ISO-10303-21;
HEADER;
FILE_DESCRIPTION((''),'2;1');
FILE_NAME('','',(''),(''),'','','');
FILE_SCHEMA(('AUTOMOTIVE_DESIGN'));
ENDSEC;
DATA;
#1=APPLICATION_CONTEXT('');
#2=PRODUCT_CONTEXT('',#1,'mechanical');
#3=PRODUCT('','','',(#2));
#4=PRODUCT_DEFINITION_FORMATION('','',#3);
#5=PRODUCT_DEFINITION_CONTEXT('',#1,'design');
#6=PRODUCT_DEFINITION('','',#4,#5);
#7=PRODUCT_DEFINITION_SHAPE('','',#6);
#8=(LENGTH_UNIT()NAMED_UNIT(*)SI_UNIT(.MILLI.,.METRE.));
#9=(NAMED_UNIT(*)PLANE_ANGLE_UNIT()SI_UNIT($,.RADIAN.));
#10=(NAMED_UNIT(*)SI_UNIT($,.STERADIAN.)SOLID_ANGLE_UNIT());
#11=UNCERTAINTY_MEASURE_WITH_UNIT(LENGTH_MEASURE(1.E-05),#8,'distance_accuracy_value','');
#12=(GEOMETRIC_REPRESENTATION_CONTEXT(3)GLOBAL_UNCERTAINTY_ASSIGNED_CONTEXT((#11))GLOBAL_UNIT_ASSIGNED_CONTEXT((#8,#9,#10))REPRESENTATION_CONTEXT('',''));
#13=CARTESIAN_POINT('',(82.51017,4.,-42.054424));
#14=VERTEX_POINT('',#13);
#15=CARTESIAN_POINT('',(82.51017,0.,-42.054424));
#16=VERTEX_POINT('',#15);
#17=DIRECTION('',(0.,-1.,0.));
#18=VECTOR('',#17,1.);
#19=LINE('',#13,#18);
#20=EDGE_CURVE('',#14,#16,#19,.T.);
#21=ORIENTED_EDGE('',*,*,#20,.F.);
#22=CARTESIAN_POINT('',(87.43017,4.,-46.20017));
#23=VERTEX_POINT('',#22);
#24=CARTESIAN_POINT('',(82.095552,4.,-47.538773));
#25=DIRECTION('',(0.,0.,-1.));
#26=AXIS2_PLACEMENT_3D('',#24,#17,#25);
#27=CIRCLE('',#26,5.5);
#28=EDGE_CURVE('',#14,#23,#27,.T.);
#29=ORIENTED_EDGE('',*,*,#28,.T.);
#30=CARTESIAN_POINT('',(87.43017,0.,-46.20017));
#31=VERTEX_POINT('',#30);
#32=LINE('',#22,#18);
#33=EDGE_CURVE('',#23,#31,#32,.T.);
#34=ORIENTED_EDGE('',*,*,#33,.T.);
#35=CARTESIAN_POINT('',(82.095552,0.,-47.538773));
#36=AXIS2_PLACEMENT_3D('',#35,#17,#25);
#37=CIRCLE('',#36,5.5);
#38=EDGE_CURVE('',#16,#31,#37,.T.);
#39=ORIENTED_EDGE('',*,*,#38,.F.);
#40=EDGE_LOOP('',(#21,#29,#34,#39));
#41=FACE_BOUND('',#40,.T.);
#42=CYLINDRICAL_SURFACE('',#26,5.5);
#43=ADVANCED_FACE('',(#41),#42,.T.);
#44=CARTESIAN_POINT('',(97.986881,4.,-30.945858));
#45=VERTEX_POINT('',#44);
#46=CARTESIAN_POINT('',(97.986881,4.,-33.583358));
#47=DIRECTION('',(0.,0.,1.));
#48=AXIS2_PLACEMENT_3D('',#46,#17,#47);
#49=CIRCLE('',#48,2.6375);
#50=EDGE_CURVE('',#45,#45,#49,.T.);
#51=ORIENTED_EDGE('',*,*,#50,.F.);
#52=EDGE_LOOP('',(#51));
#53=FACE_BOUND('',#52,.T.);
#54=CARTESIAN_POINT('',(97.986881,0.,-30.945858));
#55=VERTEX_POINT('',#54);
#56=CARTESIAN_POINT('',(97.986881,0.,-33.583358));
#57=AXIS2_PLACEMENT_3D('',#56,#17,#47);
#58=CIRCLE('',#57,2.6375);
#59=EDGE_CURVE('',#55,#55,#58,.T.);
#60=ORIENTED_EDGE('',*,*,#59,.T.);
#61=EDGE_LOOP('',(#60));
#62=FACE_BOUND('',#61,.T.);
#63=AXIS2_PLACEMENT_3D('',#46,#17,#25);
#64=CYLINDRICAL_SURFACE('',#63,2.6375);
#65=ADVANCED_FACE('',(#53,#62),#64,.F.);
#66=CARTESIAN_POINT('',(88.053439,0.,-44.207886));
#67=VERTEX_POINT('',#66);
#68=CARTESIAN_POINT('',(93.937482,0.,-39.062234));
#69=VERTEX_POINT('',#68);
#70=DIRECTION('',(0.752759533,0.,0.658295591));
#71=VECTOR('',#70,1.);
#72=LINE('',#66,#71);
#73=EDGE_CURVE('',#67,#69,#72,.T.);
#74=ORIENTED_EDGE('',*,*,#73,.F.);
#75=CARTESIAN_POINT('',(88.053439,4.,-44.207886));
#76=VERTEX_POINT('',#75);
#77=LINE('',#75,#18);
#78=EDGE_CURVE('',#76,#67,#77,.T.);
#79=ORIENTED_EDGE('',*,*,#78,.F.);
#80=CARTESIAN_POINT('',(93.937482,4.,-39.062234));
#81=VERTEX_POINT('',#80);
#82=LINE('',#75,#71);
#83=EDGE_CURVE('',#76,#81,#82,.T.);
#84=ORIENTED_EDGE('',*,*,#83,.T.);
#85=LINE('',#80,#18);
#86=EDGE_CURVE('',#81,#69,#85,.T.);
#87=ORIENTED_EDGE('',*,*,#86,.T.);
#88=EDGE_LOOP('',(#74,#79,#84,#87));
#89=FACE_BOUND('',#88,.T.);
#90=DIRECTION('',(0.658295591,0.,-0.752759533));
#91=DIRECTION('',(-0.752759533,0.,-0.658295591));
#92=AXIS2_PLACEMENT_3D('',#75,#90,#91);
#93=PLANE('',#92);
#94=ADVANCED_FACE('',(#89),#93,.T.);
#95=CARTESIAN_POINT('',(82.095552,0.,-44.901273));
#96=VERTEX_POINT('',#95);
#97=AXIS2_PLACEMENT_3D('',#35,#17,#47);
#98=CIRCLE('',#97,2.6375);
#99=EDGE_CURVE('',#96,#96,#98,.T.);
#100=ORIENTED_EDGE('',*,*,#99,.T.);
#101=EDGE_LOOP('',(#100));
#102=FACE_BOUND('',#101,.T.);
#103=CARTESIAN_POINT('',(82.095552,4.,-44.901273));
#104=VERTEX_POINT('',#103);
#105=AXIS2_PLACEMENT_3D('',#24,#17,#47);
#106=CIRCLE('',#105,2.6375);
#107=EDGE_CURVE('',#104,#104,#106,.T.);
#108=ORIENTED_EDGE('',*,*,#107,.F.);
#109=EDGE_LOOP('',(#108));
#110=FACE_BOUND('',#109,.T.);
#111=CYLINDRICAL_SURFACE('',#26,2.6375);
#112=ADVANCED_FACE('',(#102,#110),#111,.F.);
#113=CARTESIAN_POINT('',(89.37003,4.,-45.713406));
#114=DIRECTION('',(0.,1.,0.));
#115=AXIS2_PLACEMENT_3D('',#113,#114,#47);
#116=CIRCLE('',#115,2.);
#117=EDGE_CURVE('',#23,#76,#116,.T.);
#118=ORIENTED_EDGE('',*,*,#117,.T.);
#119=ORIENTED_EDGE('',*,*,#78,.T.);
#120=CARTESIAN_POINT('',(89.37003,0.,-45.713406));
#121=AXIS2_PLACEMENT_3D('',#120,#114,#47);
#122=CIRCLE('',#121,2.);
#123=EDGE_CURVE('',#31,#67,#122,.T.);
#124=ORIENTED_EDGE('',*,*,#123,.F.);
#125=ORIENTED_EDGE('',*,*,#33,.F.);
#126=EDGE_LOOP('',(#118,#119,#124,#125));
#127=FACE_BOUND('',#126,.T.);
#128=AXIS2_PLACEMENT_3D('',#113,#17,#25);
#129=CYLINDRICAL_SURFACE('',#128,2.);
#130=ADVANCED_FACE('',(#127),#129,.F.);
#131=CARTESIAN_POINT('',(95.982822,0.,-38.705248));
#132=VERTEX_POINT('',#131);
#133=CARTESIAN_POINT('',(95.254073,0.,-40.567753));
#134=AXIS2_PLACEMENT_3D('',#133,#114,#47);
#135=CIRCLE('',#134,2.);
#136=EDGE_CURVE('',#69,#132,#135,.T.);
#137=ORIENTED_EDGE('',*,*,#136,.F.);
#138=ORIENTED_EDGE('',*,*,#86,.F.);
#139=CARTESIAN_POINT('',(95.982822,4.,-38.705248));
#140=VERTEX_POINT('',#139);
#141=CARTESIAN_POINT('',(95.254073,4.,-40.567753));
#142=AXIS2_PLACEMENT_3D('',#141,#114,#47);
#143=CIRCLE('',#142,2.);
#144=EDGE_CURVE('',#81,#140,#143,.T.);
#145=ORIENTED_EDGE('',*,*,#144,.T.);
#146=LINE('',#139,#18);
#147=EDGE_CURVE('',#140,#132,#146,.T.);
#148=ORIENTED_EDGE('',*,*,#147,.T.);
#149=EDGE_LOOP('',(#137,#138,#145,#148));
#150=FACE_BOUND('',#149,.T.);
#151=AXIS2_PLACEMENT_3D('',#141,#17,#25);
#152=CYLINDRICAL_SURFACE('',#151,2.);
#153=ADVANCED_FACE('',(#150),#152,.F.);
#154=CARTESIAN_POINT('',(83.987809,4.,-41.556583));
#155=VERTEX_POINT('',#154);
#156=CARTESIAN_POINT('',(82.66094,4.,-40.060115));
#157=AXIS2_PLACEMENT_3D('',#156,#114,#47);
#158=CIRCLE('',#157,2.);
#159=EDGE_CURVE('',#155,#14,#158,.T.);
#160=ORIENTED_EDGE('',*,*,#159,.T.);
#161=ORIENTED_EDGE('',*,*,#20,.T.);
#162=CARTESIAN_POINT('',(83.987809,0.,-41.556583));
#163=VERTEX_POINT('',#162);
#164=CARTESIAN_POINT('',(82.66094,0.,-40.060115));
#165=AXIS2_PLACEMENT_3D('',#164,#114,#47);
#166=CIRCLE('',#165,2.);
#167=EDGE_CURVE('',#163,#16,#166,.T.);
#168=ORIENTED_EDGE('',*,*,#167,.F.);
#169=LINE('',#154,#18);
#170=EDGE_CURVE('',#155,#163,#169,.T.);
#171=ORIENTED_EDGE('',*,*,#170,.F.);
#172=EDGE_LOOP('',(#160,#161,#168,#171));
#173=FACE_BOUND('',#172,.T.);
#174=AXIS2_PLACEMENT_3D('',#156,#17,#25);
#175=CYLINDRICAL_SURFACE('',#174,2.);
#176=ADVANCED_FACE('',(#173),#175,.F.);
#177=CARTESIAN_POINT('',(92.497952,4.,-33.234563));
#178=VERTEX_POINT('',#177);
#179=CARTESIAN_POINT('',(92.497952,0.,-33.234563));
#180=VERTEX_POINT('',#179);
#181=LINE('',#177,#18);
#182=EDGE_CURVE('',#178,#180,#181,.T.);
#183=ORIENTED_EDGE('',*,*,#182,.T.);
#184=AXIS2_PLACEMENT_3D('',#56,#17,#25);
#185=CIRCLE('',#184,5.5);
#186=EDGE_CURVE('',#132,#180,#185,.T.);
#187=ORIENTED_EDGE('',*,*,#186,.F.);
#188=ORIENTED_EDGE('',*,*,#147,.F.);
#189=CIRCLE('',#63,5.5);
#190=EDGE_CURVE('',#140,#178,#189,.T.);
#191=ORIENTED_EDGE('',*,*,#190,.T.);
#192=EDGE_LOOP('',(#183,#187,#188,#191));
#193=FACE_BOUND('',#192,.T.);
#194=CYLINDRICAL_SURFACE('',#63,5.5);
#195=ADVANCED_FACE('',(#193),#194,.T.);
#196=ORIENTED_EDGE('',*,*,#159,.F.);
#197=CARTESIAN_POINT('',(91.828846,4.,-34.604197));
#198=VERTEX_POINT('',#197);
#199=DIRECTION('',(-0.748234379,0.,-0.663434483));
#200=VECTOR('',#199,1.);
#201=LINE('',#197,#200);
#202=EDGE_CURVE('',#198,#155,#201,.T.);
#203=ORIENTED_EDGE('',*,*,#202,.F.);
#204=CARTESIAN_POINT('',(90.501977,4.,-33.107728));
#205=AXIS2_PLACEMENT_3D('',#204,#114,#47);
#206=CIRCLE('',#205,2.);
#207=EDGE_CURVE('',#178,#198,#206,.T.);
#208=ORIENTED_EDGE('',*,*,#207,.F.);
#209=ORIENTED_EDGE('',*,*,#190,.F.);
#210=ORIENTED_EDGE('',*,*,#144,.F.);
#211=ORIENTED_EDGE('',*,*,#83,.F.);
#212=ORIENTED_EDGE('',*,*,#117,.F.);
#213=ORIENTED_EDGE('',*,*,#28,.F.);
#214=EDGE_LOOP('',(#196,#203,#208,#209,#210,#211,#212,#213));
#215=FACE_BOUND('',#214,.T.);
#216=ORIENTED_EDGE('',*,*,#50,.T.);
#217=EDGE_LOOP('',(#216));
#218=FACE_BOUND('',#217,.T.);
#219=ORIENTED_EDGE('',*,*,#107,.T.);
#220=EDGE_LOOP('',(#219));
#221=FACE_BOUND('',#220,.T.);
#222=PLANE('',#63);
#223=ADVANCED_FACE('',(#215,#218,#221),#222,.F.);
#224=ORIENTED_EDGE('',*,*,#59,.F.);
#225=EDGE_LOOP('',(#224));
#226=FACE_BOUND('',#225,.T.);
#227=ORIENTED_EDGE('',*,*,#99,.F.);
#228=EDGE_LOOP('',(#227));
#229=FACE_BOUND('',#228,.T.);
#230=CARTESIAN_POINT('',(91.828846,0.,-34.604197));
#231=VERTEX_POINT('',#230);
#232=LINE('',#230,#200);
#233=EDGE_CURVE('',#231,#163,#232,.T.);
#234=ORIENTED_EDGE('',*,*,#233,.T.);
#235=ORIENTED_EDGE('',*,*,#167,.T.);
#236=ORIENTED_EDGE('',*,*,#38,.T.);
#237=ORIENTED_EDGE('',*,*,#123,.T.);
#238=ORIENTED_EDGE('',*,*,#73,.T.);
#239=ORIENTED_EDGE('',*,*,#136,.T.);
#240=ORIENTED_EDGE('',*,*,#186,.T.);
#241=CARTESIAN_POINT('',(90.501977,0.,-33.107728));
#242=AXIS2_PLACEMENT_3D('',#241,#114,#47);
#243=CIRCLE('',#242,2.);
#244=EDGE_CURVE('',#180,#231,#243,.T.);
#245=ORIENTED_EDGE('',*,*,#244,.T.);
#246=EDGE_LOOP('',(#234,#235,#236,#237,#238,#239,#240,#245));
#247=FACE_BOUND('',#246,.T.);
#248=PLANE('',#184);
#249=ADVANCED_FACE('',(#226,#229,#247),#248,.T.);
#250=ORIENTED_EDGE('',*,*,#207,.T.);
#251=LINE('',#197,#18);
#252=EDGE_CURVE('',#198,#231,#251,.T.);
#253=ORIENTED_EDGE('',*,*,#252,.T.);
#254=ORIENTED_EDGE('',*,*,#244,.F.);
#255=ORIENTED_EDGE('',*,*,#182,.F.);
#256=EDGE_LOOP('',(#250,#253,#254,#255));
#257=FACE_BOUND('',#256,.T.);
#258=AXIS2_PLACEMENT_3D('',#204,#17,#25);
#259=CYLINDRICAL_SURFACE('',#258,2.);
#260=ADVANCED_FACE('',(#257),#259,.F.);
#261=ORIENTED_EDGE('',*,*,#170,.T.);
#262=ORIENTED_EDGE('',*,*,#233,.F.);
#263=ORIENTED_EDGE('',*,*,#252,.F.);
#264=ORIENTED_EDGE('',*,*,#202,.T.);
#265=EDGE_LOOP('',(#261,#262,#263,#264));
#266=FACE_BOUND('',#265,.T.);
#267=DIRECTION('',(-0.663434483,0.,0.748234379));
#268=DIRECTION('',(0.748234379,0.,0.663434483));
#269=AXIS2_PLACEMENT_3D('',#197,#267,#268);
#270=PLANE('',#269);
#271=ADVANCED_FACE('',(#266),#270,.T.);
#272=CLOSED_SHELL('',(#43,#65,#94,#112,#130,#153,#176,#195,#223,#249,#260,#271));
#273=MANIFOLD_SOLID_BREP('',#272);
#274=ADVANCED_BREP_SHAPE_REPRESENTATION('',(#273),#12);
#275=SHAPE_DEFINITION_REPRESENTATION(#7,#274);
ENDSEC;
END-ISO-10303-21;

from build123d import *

# Parameters (mm, degrees)
SKETCH1_R           = 2.6375
BOSS_EXTRUDE1_DEPTH = 4


with BuildPart() as part:
    # Sketch1 → Boss-Extrude1 (new body)
    with BuildSketch(Plane.XZ):
        with BuildLine():
            Line((91.828846411, -34.604196587), (83.987808778, -41.556583288))
            ThreePointArc((83.987808778, -41.556583288), (83.299503374, -41.95543418), (82.510169812, -42.054423534))
            ThreePointArc((82.510169812, -42.054423534), (78.551510946, -51.744694217), (87.430169632, -46.200170264))
            ThreePointArc((87.430169632, -46.200170264), (87.461256355, -45.116261185), (88.053439291, -44.207886459))
            Line((88.053439291, -44.207886459), (93.937481824, -39.062233577))
            ThreePointArc((93.937481824, -39.062233577), (94.910198817, -38.597536781), (95.982821704, -38.705247518))
            ThreePointArc((95.982821704, -38.705247518), (102.625664422, -30.628415987), (92.497951624, -33.234562654))
            ThreePointArc((92.497951624, -33.234562654), (92.299001629, -33.985625361), (91.828846411, -34.604196587))
        make_face()
        with Locations((82.095552315, -47.538773298)):
            Circle(SKETCH1_R, mode=Mode.SUBTRACT)
        with Locations((97.986880619, -33.583358427)):
            Circle(SKETCH1_R, mode=Mode.SUBTRACT)
    extrude(amount=-BOSS_EXTRUDE1_DEPTH)


solid = part.part
